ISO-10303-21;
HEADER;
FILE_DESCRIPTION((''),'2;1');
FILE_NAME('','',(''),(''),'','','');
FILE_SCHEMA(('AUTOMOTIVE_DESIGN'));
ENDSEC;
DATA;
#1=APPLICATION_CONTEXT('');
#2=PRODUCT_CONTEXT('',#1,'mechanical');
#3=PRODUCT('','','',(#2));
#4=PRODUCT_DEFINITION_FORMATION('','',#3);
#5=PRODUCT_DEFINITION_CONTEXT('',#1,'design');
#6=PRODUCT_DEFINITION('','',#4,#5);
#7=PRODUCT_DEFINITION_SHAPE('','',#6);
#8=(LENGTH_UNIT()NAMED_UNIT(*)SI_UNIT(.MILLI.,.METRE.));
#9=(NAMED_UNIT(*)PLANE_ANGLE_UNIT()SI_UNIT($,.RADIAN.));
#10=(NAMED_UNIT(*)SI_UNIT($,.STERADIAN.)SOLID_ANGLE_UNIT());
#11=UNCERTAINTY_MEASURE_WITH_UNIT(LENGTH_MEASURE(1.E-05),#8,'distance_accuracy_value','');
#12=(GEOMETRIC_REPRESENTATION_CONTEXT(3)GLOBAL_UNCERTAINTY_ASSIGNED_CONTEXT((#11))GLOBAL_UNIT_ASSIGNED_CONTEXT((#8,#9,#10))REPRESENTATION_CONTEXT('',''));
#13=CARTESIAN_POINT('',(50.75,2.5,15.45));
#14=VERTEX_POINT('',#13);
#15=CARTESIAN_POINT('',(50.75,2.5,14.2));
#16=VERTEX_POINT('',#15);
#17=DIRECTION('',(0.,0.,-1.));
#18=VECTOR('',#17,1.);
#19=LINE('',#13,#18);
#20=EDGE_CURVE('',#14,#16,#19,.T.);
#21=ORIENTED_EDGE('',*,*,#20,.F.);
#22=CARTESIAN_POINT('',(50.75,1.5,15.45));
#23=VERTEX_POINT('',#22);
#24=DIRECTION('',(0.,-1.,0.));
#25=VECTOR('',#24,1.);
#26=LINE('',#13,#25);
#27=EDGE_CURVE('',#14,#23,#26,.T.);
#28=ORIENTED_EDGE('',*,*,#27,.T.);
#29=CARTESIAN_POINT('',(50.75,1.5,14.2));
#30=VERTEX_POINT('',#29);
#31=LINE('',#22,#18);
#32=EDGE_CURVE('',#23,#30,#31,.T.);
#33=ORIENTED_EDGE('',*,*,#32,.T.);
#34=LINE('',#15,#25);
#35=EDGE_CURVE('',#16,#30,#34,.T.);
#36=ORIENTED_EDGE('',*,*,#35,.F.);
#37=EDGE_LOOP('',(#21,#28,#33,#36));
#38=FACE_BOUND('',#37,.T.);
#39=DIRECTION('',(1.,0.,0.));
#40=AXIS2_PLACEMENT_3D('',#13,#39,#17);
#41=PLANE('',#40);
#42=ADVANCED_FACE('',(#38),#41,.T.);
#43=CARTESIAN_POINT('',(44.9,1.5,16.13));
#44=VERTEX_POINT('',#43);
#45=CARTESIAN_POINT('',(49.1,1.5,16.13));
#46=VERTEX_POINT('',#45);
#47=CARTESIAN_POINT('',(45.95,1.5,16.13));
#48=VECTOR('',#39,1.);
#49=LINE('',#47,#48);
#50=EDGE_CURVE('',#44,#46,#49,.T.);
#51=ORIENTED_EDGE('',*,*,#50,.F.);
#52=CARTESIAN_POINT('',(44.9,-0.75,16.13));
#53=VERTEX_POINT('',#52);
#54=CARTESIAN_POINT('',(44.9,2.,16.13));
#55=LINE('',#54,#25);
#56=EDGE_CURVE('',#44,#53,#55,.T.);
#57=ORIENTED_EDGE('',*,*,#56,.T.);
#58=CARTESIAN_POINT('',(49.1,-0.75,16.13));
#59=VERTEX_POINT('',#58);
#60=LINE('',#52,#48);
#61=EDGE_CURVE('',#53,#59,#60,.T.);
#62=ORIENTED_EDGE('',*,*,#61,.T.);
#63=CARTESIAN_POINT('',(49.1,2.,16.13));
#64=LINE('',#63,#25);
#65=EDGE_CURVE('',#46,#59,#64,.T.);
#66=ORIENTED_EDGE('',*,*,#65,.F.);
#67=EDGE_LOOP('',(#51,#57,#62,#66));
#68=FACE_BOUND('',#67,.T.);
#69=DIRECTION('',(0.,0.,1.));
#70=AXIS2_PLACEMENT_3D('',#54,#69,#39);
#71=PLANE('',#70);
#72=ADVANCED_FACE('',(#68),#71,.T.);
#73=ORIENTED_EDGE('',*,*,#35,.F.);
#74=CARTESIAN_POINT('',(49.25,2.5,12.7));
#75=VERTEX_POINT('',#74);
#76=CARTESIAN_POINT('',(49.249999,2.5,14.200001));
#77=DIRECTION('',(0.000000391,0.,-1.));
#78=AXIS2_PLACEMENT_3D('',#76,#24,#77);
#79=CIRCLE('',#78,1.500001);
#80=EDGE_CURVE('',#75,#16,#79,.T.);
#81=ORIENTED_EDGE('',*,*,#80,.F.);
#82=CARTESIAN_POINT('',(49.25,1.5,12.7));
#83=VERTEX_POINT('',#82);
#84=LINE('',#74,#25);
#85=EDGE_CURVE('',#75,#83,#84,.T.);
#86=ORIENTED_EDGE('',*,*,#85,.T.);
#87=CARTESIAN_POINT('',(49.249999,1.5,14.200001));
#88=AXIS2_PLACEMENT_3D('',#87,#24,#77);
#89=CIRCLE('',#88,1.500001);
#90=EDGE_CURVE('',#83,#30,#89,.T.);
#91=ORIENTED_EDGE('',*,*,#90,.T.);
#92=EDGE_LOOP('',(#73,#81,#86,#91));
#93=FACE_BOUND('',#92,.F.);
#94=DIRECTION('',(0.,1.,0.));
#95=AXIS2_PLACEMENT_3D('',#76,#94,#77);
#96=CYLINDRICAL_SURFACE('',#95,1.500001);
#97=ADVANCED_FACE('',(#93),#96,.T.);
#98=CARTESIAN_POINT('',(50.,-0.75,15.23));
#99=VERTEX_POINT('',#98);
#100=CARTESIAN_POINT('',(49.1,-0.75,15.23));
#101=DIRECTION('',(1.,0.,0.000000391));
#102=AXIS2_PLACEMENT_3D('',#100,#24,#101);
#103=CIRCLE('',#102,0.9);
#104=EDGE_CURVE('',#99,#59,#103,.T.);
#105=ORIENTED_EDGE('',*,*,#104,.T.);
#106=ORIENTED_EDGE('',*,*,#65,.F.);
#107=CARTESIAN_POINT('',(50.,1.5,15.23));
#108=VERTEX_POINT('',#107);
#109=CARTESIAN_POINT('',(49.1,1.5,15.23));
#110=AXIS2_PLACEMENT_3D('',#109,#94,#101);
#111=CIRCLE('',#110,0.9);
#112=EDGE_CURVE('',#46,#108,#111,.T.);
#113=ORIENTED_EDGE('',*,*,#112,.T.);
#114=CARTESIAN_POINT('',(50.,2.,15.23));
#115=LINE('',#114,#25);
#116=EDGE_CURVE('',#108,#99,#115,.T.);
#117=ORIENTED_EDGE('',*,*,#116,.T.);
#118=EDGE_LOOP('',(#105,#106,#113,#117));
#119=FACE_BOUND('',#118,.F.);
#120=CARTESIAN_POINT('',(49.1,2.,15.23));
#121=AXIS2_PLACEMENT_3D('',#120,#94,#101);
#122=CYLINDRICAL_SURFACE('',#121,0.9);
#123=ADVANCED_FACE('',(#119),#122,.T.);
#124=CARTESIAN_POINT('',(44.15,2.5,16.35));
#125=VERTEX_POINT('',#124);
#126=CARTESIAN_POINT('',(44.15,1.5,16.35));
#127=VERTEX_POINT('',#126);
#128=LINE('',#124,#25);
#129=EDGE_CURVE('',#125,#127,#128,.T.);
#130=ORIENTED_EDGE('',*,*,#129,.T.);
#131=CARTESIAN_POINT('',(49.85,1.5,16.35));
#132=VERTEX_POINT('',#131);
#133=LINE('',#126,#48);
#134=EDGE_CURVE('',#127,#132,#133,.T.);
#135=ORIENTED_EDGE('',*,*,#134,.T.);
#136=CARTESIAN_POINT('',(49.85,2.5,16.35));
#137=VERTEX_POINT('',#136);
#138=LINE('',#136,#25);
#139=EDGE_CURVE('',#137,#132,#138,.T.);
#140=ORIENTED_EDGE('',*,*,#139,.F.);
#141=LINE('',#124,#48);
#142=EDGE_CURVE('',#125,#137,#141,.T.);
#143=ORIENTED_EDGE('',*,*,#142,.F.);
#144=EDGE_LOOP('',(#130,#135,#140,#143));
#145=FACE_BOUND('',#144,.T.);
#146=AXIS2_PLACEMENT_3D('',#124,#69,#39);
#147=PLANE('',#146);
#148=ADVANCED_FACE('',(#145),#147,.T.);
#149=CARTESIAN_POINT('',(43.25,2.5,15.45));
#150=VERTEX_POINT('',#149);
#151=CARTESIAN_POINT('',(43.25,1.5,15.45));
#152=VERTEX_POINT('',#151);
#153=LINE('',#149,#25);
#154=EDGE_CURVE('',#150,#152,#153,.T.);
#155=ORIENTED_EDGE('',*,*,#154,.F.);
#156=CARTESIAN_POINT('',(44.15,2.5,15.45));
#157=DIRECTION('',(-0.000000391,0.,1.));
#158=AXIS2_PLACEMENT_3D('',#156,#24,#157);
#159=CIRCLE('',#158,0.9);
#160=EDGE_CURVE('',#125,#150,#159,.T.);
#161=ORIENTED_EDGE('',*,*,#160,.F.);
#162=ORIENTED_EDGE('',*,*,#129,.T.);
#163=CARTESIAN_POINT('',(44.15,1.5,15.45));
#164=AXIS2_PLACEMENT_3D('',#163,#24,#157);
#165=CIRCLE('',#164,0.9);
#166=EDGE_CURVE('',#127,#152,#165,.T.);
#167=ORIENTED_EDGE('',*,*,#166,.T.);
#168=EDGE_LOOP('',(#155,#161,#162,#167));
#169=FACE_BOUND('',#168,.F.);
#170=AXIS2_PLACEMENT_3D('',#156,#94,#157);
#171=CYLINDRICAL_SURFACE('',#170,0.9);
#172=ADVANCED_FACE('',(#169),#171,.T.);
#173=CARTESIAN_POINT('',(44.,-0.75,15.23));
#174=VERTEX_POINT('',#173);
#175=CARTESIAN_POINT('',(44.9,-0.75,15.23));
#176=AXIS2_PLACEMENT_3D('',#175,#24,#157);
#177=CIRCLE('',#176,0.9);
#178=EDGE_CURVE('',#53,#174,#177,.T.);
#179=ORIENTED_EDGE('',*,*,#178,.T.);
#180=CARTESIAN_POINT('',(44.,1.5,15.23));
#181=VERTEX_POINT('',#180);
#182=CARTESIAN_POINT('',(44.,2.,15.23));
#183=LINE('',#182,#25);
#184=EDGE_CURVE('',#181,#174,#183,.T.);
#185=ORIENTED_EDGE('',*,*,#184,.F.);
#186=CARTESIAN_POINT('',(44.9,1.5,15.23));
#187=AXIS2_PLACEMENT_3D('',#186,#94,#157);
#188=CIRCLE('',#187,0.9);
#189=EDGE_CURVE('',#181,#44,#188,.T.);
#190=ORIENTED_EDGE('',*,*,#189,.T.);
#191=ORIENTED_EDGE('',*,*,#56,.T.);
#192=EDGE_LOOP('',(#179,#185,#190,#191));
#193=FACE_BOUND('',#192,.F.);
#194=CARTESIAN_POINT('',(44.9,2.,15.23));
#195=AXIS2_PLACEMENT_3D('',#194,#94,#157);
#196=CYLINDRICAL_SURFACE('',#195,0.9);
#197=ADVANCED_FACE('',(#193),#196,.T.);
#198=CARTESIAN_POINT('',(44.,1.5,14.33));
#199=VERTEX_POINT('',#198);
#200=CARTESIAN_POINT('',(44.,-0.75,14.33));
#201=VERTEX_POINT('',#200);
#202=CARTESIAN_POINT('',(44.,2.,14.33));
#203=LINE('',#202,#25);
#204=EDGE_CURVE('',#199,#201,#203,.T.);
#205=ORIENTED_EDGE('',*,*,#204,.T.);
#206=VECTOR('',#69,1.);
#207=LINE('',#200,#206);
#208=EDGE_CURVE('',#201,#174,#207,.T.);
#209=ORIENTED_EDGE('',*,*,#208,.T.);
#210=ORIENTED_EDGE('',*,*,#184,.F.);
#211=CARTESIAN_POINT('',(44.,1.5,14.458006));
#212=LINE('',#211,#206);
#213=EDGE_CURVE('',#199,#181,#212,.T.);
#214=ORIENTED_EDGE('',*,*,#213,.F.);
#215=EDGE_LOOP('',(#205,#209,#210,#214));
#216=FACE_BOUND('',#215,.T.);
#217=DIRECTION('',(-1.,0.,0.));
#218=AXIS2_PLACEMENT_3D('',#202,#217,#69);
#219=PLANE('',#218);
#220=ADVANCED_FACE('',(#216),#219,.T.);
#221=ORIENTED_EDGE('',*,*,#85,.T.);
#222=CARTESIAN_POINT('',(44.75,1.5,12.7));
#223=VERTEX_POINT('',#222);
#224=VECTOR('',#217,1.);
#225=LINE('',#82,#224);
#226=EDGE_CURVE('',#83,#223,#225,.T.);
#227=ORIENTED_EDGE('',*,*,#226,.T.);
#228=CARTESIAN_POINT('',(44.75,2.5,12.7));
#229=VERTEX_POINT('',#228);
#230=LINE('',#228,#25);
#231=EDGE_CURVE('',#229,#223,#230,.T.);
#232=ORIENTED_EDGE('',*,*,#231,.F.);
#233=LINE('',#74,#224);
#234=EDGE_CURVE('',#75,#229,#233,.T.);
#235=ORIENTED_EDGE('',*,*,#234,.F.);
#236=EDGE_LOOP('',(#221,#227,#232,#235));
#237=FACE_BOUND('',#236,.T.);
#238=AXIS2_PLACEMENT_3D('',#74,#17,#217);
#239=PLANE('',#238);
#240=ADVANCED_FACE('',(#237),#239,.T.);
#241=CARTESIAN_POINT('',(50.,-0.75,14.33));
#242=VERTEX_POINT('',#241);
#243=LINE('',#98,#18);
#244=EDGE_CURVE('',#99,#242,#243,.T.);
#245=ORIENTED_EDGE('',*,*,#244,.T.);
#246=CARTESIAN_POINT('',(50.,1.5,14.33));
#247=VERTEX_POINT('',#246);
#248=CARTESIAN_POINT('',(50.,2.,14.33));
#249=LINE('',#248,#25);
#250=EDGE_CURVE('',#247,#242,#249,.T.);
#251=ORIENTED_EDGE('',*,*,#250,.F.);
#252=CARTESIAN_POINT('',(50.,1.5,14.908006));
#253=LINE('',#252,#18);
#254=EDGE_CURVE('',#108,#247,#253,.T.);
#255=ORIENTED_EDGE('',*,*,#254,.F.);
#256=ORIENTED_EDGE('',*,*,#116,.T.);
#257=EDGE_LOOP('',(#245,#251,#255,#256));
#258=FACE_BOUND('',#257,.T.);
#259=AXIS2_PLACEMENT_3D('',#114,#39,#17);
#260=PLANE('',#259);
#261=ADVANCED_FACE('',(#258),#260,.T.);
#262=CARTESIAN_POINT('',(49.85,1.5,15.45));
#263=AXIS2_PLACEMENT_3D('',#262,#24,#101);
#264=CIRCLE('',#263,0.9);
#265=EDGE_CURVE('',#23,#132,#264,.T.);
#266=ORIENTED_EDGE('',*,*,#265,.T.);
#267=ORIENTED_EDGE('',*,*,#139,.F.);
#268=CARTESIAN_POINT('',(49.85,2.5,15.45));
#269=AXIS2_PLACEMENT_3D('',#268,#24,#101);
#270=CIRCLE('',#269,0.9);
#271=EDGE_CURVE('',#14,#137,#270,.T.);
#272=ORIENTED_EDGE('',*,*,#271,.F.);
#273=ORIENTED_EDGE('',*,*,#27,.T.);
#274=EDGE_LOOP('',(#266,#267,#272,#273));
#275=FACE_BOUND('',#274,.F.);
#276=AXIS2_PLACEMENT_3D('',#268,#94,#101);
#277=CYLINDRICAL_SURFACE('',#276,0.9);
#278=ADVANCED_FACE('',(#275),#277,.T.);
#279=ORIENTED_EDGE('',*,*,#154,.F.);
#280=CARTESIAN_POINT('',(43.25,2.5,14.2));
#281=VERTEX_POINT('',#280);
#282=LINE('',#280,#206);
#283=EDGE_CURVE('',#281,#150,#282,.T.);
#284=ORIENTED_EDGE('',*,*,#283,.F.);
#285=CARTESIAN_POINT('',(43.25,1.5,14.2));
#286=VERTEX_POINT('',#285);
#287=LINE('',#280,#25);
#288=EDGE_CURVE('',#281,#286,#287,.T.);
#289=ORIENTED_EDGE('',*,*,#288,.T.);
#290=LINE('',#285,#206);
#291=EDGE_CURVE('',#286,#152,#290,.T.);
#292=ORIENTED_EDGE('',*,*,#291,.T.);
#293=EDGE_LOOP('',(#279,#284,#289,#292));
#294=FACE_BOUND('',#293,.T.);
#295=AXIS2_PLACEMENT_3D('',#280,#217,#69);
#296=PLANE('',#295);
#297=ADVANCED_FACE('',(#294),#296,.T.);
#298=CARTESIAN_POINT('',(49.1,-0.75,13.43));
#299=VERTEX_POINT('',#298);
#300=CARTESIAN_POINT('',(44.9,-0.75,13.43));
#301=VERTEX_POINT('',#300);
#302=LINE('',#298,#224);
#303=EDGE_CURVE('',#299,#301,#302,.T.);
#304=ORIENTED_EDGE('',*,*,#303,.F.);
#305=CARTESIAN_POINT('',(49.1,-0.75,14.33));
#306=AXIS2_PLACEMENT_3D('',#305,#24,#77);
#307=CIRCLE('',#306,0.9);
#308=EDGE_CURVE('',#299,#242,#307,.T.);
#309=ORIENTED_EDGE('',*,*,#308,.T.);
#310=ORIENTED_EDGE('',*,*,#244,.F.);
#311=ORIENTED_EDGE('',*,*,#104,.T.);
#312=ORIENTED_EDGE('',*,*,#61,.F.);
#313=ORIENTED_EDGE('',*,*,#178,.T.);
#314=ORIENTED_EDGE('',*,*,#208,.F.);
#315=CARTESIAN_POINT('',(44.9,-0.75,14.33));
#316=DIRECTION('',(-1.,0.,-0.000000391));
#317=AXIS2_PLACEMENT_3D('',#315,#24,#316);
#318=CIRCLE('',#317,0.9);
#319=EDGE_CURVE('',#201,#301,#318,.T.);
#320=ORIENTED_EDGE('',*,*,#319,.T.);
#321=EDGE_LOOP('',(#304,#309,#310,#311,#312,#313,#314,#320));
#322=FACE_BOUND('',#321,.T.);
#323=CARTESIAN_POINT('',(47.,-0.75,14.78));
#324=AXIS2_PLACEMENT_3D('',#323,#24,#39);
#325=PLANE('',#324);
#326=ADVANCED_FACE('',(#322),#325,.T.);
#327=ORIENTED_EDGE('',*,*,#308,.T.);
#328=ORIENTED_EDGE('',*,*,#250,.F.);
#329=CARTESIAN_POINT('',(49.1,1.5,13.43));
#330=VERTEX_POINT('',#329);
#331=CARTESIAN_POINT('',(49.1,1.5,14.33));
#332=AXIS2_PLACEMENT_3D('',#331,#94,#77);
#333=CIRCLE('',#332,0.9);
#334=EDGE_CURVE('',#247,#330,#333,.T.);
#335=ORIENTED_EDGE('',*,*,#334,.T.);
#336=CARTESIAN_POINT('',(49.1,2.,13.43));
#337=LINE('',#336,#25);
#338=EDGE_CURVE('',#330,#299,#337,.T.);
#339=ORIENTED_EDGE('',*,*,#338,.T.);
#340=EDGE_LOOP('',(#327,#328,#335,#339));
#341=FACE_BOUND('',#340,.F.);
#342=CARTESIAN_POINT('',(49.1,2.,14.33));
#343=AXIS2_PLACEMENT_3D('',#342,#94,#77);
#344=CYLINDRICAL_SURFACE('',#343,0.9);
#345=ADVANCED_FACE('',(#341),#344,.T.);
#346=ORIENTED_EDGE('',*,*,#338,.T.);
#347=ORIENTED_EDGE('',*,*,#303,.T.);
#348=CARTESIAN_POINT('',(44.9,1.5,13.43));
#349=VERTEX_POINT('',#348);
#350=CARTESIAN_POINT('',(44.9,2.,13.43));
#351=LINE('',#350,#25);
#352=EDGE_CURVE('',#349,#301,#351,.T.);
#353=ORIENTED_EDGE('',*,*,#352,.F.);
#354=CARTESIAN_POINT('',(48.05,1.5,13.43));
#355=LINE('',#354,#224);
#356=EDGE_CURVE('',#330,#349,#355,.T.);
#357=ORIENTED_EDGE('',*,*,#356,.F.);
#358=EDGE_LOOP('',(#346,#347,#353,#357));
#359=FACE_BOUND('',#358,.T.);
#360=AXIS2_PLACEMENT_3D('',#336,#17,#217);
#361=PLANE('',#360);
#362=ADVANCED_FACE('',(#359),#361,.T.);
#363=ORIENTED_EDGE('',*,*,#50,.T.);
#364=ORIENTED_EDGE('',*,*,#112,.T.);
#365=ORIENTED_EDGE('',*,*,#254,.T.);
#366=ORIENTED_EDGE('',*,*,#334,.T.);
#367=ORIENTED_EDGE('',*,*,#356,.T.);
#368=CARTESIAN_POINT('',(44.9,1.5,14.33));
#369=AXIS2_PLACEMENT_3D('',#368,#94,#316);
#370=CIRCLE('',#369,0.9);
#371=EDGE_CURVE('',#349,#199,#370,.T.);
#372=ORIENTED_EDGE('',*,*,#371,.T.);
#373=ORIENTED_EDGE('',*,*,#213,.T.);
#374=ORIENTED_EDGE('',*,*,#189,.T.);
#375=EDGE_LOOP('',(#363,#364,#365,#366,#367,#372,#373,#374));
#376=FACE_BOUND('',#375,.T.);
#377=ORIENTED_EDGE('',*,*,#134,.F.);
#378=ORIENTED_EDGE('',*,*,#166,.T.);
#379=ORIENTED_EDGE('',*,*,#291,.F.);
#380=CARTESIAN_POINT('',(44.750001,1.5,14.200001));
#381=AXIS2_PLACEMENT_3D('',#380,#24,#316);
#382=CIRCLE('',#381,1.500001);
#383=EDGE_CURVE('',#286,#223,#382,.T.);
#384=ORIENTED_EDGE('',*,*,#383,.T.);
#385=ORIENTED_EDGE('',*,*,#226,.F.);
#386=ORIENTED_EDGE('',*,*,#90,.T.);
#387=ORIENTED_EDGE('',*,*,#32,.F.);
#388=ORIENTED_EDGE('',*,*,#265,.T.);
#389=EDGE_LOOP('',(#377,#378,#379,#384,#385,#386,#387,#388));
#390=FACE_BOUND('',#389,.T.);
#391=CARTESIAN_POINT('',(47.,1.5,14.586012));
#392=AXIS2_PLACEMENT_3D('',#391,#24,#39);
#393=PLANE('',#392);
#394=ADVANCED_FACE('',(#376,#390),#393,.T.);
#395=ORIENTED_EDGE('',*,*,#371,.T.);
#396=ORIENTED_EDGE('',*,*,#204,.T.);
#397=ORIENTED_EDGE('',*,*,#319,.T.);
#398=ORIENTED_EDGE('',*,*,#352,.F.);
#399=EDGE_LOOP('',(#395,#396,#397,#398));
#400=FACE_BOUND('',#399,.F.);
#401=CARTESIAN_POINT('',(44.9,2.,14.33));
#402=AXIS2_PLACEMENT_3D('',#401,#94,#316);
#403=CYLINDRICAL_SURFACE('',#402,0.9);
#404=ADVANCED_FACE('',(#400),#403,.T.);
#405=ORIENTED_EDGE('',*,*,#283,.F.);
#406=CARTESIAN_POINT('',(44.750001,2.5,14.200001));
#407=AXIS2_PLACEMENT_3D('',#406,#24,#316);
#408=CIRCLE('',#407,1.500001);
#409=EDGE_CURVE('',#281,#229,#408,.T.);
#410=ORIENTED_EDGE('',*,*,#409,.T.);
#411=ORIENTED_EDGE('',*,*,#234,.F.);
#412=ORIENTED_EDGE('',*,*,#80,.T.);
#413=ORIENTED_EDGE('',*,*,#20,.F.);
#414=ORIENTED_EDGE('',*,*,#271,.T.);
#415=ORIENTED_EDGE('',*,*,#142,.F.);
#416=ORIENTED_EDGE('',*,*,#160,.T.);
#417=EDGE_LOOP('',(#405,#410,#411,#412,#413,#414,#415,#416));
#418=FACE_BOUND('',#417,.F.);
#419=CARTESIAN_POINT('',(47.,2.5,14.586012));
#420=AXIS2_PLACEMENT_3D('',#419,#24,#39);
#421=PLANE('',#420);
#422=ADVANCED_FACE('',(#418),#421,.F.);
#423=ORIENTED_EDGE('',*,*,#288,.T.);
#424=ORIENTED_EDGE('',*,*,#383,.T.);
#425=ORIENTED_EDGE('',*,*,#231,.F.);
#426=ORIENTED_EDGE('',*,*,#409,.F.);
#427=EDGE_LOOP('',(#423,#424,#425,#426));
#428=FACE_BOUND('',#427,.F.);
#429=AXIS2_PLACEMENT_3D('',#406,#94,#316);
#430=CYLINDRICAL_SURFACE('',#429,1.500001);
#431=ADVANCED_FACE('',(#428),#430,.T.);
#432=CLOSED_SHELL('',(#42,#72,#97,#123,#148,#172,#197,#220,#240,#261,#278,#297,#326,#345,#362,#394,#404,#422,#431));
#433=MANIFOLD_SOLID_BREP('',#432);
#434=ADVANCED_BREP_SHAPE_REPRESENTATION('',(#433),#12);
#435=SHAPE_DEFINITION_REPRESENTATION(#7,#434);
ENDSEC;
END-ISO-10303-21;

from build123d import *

# Parameters (mm, degrees)
EXTRUDE031_DEPTH = 1
EXTRUDE030_DEPTH = 2.75


with BuildPart() as extrude031:
    # Sketch034 → Extrude031 (new body)
    with BuildSketch(Plane.XZ):
        with BuildLine():
            ThreePointArc((11.7, 16.35), (11.063604, 16.086396), (10.8, 15.45))
            Line((10.8, 14.2), (10.8, 15.45))
            ThreePointArc((10.8, 14.2), (11.23934, 13.13934), (12.3, 12.7))
            Line((16.8, 12.7), (12.3, 12.7))
            ThreePointArc((16.8, 12.7), (17.86066, 13.13934), (18.3, 14.2))
            Line((18.3, 15.45), (18.3, 14.2))
            ThreePointArc((18.3, 15.45), (18.036396, 16.086396), (17.4, 16.35))
            Line((11.7, 16.35), (17.4, 16.35))
        make_face()
    extrude(amount=EXTRUDE031_DEPTH)


with BuildPart() as extrude031_1:
    # Extrude031 placement: moved
    add(extrude031.part.moved(Location((0, 2.5, 0))))


with BuildPart() as button002:
    # Sketch033 → Extrude030 (new body)
    with BuildSketch(Plane.XZ):
        with BuildLine():
            ThreePointArc((12.75, 16.23), (12.113604, 15.966396), (11.85, 15.33))
            Line((11.85, 14.43), (11.85, 15.33))
            ThreePointArc((11.85, 14.43), (12.113604, 13.793604), (12.75, 13.53))
            Line((16.95, 13.53), (12.75, 13.53))
            ThreePointArc((16.95, 13.53), (17.586396, 13.793604), (17.85, 14.43))
            Line((17.85, 15.33), (17.85, 14.43))
            ThreePointArc((17.85, 15.33), (17.586396, 15.966396), (16.95, 16.23))
            Line((12.75, 16.23), (16.95, 16.23))
        make_face()
    extrude(amount=EXTRUDE030_DEPTH)


with BuildPart() as button002_1:
    # Extrude030 placement: moved
    add(button002.part.moved(Location((-0.3, 2, -0.1))))

    # Fusion033: union Extrude031
    add(extrude031_1.part)


with BuildPart() as button002_2:
    # Fusion033 placement: moved
    add(button002_1.part.moved(Location((32.45, 0, 0))))


solid = button002_2.part
